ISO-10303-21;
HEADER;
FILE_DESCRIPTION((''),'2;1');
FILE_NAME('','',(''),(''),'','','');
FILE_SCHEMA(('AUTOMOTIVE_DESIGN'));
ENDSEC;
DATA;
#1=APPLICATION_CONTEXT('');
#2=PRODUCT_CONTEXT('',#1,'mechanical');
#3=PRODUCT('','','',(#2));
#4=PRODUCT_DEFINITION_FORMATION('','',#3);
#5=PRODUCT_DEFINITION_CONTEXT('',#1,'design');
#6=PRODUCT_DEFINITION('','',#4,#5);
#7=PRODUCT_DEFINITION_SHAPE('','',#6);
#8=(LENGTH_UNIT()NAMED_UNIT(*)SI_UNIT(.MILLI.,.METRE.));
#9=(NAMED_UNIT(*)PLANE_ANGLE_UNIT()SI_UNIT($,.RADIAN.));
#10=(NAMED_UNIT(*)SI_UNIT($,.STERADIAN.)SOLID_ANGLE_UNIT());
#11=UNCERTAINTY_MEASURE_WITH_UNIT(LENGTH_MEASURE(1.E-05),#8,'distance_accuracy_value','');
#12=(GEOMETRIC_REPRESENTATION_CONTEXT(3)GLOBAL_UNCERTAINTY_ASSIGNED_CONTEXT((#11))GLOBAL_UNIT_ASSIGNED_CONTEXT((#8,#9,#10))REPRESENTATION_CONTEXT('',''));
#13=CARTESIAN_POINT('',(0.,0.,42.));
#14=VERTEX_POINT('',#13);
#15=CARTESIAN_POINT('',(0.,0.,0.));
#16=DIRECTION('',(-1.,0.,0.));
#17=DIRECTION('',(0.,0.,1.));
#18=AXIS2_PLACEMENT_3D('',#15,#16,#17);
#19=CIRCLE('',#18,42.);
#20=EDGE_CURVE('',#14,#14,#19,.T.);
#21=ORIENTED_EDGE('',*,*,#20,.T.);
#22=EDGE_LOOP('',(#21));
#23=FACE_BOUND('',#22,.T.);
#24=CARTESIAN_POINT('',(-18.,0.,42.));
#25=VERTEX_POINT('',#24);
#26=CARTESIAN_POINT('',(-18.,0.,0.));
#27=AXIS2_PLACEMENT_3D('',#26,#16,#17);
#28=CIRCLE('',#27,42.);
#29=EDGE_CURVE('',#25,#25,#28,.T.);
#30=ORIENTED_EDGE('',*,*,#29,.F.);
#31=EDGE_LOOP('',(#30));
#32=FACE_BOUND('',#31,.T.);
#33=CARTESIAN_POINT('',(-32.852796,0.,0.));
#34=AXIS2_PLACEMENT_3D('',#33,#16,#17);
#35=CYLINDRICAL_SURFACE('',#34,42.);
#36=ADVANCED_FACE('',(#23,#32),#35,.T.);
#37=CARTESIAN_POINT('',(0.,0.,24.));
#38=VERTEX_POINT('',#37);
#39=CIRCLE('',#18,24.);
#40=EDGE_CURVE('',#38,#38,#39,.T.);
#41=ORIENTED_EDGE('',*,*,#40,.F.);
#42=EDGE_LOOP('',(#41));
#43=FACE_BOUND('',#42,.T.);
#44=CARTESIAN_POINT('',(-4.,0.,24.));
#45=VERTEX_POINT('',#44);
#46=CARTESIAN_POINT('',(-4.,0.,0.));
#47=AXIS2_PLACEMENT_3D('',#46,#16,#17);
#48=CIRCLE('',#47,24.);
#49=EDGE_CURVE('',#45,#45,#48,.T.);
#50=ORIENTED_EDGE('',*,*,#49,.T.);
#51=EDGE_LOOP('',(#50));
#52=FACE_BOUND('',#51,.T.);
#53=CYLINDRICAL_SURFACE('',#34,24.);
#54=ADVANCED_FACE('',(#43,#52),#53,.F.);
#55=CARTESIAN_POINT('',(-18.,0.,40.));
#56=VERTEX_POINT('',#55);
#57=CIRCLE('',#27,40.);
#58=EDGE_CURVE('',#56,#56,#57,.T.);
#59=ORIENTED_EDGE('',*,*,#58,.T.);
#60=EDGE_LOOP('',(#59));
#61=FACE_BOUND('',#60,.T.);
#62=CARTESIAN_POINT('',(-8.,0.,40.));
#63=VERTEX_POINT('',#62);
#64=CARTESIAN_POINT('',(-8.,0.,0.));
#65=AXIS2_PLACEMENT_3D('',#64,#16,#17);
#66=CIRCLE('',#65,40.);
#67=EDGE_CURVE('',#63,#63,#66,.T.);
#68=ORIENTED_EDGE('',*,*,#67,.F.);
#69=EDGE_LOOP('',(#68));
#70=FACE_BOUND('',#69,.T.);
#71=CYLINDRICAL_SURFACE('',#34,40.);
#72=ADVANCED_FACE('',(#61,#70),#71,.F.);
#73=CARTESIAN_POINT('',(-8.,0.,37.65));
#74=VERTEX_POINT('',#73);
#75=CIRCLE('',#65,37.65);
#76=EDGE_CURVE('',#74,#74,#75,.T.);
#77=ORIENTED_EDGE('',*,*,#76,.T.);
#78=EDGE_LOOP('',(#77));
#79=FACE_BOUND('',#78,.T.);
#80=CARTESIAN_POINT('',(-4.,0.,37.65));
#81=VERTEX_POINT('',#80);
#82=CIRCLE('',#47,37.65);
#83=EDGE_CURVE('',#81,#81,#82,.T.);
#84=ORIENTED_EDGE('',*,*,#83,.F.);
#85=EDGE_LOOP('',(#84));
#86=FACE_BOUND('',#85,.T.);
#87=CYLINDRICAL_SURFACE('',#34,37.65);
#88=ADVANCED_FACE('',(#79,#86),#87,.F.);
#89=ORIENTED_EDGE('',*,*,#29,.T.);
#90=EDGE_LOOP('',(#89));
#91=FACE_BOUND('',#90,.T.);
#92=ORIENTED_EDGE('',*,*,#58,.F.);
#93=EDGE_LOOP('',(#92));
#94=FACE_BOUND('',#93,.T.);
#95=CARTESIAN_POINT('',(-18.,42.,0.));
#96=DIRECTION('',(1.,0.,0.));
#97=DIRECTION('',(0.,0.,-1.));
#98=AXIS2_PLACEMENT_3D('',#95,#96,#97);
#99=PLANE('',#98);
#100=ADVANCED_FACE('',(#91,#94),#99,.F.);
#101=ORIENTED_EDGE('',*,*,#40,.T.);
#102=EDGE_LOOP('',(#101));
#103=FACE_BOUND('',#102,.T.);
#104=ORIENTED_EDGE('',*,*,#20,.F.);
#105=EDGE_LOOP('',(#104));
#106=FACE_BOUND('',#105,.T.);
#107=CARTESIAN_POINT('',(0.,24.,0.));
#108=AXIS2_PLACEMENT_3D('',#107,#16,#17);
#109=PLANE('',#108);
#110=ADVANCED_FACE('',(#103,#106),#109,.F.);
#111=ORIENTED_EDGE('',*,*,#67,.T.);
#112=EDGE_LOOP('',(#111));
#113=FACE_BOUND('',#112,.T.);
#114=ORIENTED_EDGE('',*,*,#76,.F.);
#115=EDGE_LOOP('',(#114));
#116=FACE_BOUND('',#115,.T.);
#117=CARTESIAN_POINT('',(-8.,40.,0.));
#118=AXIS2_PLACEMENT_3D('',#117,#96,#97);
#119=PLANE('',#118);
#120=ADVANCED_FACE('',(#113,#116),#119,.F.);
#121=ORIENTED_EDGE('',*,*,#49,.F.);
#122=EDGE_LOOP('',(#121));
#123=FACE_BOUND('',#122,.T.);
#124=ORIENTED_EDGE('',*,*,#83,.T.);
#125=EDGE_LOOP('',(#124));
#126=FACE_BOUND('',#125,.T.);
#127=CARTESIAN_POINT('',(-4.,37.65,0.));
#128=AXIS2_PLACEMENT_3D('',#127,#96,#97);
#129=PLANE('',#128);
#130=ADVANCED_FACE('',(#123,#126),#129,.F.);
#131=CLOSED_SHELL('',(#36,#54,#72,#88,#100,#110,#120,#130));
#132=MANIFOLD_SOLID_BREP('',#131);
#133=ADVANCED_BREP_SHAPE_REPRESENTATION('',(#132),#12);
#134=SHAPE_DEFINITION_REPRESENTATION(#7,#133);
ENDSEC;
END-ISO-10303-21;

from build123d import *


with BuildPart() as part:
    # Esquisse1 → Révolution1 (revolve)
    with BuildSketch(Plane.XY):
        Polygon((0, 24), (0, 42), (-18, 42), (-18, 40), (-8, 40), (-8, 37.65), (-4, 37.65), (-4, 24), align=None)
    revolve(axis=Axis((-32.852795702, 0, 0), (1, 0, 0)))


solid = part.part
